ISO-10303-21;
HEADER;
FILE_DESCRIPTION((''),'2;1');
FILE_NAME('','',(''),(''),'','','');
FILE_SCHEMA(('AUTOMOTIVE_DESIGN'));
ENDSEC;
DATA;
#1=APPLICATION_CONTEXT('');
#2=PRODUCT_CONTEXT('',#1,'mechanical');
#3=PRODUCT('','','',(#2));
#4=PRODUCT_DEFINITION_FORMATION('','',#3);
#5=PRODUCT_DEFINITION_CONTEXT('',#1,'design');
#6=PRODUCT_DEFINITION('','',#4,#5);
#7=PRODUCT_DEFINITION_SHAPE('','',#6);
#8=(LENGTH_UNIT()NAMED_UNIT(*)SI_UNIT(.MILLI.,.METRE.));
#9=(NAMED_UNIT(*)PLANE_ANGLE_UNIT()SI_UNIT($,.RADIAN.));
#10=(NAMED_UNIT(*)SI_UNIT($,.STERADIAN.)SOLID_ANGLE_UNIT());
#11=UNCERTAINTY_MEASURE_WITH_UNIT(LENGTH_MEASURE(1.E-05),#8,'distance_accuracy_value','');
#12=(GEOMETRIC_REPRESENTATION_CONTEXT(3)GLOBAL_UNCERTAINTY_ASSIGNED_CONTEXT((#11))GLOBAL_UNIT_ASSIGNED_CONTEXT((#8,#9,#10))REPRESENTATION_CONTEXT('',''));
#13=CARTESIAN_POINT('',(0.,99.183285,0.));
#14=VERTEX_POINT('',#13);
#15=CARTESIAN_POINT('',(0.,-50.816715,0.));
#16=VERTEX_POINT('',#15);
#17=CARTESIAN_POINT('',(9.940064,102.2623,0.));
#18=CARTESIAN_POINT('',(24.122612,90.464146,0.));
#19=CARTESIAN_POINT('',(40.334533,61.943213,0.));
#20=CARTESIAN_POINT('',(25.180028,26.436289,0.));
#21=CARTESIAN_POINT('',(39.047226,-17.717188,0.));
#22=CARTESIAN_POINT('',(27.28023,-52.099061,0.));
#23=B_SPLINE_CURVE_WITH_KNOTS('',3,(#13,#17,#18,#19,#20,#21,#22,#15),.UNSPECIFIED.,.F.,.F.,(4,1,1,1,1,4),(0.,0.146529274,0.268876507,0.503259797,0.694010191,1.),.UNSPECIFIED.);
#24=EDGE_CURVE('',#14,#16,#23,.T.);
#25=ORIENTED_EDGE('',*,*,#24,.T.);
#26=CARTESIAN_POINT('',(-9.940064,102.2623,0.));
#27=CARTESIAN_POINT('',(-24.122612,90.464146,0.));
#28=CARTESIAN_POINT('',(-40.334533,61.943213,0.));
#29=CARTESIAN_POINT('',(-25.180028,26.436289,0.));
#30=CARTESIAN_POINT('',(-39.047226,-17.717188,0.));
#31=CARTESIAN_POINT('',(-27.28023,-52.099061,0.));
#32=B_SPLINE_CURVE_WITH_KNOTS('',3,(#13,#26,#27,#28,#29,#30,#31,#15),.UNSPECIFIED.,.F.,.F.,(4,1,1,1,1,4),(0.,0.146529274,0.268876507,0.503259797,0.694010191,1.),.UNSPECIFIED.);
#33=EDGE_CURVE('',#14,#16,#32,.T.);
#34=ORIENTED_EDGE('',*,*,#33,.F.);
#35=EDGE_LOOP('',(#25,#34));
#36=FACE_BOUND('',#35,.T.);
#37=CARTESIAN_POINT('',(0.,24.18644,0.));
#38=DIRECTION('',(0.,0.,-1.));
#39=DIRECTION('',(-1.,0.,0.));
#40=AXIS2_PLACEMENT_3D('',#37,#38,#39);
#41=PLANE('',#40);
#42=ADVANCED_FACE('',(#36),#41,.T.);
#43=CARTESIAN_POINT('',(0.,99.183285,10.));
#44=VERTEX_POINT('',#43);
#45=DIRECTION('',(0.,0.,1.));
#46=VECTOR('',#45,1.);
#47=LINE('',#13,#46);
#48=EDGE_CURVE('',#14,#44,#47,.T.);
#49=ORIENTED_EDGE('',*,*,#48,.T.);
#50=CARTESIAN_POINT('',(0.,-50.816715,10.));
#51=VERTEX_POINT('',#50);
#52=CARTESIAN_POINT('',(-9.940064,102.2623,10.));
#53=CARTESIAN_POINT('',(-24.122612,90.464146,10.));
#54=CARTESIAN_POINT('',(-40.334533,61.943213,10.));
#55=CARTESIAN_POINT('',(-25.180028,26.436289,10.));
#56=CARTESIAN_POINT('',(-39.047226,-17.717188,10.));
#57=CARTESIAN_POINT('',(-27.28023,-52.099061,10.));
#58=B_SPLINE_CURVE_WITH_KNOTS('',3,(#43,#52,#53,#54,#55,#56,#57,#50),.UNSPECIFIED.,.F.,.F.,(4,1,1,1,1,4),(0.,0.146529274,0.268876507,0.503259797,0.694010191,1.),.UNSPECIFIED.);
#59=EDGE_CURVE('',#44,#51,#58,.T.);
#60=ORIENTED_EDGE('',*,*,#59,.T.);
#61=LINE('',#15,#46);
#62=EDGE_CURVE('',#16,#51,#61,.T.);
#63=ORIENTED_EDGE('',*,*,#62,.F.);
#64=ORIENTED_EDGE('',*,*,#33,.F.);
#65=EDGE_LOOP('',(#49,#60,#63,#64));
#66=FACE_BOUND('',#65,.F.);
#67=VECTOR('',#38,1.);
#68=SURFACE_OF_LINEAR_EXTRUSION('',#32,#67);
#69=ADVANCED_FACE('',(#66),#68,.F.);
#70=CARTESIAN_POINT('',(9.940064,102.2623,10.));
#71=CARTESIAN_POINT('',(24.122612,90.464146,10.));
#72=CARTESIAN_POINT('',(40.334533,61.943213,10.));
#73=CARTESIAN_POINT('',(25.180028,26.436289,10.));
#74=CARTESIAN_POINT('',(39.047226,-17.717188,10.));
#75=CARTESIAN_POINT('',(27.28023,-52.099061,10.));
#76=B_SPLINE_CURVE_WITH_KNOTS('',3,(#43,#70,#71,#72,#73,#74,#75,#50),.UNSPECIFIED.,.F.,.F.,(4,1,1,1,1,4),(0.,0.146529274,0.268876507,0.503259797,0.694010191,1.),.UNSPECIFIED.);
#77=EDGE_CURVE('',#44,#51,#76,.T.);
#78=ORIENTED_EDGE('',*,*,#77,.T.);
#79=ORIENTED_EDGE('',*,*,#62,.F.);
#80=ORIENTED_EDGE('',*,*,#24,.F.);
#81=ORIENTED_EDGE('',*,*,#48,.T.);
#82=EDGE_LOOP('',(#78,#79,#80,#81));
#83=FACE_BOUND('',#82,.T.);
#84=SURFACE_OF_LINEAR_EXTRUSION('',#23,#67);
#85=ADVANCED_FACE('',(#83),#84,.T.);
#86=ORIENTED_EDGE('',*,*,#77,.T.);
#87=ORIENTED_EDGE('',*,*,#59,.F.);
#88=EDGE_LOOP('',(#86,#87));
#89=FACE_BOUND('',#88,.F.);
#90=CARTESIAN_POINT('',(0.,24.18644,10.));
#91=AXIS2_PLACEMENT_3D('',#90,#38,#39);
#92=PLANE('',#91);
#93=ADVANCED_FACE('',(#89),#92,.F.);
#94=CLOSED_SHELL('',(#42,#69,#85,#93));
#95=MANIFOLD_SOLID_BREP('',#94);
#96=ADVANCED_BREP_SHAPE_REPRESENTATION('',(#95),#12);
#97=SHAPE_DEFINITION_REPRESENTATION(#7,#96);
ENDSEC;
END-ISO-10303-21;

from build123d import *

# Parameters (mm, degrees)
BOSS_EXTRUDE1_DEPTH = 10


with BuildPart() as part:
    # Sketch2 → Boss-Extrude1 (new body)
    with BuildSketch(Plane.XY):
        with BuildLine():
            add(Edge.make_bspline(
                [(0, 99.183285394), (9.940064442, 102.262299521), (24.122612265, 90.46414584), (40.33453266, 61.943212567), (25.180027607, 26.436288764), (39.04722634, -17.717188406), (27.280230095, -52.099061458), (0, -50.816714606)],
                knots=[0, 0, 0, 0, 0.146529274, 0.268876507, 0.503259797, 0.694010191, 1, 1, 1, 1], degree=3))
            add(Edge.make_bspline(
                [(0, 99.183285394), (-9.940064442, 102.262299521), (-24.122612265, 90.46414584), (-40.33453266, 61.943212567), (-25.180027607, 26.436288764), (-39.04722634, -17.717188406), (-27.280230095, -52.099061458), (0, -50.816714606)],
                knots=[0, 0, 0, 0, 0.146529274, 0.268876507, 0.503259797, 0.694010191, 1, 1, 1, 1], degree=3))
        make_face()
    extrude(amount=BOSS_EXTRUDE1_DEPTH)


solid = part.part
